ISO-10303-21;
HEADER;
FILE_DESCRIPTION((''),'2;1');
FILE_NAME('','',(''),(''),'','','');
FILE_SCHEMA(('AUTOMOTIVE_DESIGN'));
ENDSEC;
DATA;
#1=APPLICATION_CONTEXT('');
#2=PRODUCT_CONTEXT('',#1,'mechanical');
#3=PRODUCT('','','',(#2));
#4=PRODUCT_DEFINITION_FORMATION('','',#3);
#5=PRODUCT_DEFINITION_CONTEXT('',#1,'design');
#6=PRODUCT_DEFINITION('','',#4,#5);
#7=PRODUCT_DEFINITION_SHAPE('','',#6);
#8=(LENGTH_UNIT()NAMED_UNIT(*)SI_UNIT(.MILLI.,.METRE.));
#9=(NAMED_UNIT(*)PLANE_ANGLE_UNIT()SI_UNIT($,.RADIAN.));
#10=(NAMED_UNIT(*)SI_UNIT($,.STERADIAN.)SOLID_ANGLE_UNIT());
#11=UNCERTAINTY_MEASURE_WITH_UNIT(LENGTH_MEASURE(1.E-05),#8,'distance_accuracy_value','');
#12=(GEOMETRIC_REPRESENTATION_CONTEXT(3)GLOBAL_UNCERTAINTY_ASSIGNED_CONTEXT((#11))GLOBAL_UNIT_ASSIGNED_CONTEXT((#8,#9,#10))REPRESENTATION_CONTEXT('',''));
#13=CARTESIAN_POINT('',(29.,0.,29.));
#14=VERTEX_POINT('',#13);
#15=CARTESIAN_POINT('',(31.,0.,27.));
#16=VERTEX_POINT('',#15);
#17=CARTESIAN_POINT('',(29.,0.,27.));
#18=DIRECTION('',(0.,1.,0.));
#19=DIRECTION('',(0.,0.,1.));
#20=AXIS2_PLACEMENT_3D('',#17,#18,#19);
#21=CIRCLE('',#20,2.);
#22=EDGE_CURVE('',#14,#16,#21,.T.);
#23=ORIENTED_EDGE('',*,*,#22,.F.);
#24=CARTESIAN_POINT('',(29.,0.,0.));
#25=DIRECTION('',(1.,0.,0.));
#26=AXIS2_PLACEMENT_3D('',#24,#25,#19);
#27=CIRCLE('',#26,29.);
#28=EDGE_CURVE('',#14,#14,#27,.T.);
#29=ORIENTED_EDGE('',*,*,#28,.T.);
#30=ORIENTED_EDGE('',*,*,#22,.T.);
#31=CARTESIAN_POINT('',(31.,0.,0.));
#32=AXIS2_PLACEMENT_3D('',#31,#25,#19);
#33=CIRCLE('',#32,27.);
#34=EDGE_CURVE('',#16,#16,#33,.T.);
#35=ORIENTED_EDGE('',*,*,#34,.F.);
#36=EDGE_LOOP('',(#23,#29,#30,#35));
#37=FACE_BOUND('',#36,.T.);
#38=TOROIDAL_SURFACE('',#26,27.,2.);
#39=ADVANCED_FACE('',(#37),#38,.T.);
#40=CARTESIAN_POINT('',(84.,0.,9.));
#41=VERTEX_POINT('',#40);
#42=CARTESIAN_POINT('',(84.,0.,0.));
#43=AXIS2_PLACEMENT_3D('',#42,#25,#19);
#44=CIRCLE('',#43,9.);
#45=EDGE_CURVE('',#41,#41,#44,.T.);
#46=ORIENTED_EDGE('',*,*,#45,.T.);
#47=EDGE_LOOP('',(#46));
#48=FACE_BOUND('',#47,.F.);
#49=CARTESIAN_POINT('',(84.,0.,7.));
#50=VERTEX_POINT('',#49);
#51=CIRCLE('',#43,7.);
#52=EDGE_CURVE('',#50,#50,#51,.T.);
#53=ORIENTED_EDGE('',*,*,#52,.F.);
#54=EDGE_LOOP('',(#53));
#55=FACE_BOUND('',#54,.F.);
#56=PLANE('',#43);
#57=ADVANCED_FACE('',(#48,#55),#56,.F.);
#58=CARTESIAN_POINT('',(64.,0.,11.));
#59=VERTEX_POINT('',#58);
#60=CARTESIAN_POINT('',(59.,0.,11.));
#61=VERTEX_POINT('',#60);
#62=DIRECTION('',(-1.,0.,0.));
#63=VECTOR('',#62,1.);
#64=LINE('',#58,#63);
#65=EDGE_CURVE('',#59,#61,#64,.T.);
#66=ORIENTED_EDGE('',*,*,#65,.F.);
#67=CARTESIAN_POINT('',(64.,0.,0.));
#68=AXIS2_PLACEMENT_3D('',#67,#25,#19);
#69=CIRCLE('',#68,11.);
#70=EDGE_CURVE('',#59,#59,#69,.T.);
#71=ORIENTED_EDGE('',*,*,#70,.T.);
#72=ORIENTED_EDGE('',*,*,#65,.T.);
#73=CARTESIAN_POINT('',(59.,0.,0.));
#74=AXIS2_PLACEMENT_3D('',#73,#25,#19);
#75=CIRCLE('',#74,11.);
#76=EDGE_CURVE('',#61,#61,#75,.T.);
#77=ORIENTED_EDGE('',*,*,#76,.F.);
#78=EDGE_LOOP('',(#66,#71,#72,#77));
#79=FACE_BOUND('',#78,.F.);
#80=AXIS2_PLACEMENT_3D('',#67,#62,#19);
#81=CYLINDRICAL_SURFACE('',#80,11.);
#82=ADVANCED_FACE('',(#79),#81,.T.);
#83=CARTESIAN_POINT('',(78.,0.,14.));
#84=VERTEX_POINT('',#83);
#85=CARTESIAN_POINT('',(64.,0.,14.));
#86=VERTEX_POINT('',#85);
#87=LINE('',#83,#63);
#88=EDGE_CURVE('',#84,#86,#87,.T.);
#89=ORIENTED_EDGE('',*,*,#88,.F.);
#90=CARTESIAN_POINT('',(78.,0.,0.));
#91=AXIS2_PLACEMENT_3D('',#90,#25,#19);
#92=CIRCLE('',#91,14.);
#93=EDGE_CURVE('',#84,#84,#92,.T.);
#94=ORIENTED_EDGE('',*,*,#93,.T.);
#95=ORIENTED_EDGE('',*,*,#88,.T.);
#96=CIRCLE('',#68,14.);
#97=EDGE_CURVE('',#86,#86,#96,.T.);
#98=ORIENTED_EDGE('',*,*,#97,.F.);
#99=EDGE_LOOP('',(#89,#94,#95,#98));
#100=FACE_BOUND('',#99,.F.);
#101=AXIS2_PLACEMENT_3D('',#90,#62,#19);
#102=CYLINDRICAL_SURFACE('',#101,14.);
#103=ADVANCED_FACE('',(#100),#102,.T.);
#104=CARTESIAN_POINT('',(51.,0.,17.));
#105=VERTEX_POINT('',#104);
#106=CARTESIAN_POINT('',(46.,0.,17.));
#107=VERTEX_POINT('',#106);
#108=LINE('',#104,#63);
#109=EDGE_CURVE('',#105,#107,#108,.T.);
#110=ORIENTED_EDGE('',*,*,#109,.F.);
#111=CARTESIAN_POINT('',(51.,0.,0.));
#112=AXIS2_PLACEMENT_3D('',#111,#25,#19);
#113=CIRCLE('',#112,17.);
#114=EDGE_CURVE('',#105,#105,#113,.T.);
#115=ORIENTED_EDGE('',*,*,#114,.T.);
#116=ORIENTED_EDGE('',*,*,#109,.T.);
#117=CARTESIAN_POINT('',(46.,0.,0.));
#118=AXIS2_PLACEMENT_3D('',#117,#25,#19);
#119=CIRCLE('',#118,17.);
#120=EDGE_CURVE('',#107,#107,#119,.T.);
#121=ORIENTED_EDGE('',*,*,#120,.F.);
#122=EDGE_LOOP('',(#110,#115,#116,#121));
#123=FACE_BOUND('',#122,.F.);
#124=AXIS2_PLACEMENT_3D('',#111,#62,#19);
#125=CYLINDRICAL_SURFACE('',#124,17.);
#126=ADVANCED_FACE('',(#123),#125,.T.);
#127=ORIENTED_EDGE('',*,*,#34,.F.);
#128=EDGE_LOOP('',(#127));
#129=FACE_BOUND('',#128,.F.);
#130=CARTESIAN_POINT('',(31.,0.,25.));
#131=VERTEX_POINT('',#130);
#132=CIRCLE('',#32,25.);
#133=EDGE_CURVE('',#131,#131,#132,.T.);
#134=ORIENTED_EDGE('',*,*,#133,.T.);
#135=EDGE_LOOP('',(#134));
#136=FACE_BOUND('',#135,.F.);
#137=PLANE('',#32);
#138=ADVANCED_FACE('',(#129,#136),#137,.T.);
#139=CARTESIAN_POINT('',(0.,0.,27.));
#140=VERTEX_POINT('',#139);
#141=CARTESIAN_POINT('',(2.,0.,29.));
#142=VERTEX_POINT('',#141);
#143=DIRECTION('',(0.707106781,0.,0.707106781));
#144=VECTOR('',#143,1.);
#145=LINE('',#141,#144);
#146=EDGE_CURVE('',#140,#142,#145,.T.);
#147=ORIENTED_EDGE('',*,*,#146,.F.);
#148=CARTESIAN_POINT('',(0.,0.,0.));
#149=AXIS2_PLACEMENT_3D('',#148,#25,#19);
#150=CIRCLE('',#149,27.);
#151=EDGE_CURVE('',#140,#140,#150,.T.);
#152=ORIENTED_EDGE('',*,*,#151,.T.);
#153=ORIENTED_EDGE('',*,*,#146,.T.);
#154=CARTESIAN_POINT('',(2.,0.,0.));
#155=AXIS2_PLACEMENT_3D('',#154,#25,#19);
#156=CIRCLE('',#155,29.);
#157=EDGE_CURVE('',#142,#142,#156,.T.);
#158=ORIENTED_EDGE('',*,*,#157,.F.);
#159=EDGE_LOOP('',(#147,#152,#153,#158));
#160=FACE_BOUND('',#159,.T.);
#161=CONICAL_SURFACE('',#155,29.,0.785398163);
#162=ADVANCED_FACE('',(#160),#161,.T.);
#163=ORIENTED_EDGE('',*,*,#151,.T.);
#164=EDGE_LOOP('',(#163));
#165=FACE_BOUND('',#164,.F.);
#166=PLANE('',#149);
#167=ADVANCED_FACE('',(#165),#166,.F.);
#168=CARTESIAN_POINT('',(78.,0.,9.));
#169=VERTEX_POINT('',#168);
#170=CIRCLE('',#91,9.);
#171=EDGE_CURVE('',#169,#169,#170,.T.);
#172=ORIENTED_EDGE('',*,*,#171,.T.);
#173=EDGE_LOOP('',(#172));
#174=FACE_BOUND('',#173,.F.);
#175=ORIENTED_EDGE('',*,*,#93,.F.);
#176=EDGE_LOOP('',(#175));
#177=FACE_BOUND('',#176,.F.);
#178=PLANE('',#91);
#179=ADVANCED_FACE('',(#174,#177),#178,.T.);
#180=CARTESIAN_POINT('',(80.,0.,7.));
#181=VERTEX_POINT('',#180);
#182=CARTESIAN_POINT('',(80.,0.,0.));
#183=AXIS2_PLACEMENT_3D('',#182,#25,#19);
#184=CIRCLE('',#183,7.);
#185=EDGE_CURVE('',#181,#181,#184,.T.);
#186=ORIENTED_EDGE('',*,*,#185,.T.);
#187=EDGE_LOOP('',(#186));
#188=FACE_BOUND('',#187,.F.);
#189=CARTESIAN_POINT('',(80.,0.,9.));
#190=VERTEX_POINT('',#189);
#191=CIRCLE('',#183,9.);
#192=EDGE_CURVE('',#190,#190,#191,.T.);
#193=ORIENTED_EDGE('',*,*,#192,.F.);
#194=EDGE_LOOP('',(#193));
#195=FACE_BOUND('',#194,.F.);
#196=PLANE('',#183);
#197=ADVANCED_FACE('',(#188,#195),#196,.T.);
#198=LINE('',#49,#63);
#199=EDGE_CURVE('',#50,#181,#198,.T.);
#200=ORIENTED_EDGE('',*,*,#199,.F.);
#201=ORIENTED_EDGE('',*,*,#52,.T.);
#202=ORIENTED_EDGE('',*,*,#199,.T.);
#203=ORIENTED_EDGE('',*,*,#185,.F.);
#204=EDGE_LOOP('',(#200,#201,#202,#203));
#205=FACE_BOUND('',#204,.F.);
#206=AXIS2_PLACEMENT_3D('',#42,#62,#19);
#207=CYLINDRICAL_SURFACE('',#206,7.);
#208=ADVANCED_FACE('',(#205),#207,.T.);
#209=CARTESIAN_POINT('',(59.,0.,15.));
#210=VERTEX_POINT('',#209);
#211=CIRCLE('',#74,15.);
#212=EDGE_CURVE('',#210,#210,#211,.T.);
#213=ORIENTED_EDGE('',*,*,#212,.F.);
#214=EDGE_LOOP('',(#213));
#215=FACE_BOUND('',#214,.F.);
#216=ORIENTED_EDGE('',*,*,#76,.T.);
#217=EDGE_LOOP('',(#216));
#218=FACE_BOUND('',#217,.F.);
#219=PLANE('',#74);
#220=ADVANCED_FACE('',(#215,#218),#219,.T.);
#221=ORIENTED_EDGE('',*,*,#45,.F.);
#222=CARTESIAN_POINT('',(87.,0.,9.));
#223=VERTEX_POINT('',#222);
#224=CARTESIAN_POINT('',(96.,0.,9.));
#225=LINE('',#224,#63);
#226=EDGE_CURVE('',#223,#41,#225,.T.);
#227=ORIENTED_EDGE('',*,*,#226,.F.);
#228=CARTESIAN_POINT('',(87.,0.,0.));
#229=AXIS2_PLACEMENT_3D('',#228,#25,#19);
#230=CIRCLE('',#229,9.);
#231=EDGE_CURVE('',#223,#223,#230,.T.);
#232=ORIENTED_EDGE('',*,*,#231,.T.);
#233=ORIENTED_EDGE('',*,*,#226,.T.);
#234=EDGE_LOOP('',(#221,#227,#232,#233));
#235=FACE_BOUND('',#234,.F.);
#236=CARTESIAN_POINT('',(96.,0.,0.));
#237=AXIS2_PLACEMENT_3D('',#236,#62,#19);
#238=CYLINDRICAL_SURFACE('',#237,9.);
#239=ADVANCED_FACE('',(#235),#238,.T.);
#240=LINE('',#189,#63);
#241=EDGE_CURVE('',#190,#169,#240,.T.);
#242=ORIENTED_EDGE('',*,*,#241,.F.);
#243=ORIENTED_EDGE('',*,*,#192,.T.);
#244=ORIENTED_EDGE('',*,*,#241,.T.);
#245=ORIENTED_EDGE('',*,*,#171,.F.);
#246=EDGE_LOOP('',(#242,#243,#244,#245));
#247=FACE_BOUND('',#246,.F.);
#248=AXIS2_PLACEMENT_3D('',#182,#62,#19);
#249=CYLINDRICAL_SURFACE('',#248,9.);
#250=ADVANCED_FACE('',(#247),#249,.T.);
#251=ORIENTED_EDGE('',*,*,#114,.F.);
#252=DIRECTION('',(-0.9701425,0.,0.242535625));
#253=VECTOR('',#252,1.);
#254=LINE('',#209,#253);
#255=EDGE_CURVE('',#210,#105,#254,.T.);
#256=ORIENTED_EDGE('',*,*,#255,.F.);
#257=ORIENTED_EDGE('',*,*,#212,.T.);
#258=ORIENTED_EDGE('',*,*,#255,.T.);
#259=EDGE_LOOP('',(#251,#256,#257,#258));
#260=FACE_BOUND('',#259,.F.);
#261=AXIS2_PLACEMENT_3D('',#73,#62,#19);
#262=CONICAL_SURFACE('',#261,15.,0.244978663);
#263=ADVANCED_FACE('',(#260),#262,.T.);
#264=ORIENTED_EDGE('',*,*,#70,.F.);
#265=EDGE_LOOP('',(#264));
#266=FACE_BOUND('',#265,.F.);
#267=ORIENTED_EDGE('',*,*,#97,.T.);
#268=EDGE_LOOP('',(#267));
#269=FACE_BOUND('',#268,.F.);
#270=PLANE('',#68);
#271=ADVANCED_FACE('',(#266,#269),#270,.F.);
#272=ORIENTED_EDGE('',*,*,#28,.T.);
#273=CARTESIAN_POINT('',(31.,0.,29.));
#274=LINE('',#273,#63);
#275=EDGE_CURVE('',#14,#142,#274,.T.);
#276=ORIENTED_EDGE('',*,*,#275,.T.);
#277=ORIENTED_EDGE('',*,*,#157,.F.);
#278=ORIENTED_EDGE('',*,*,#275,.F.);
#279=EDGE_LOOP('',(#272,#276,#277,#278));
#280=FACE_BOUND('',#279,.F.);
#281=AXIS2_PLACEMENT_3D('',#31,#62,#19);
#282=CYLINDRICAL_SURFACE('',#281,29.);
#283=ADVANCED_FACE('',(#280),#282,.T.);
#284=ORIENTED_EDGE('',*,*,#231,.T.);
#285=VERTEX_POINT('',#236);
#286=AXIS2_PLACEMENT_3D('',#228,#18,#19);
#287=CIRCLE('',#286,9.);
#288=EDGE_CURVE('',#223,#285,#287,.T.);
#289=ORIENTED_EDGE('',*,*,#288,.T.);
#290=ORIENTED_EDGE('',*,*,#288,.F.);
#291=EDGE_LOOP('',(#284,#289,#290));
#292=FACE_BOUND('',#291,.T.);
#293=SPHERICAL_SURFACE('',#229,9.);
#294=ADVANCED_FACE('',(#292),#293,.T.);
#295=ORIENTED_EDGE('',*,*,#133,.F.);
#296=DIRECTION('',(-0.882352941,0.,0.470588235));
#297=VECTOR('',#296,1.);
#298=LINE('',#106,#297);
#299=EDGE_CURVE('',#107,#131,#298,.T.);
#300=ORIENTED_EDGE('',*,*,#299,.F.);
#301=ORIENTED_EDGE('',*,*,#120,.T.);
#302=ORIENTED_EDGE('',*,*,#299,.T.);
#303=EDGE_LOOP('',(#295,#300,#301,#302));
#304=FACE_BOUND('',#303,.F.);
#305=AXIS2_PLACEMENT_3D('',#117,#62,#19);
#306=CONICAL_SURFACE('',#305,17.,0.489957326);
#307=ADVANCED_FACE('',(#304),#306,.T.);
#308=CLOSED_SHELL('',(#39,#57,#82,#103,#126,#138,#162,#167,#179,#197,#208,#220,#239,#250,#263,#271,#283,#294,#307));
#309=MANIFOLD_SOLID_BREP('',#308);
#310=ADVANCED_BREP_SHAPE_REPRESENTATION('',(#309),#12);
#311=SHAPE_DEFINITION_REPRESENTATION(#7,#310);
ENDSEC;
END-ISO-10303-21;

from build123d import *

# Parameters (mm, degrees)
F2_SIZE = 2
F3_R    = 2
F4_R    = 9


with BuildPart() as f1:
    # F0 (on Front) → F1 (revolve)
    with BuildSketch(Plane.XZ):
        Polygon((0, 29), (0, 0), (96, 0), (96, 9), (84, 9), (84, 7), (80, 7), (80, 9), (78, 9), (78, 14), (64, 14), (64, 11), (59, 11), (59, 15), (51, 17), (46, 17), (31, 25), (31, 29), align=None)
    revolve(axis=Axis((48, 0, 0), (1, 0, 0)))

    # F2
    f2_edges = [f1.edges().sort_by_distance(p)[0] for p in [
        (0, 0, -29),
    ]]
    chamfer(f2_edges, length=F2_SIZE)

    # F3
    f3_edges = [f1.edges().sort_by_distance(p)[0] for p in [
        (31, 0, -29),
    ]]
    fillet(f3_edges, radius=F3_R)

    # F4
    f4_edges = [f1.edges().sort_by_distance(p)[0] for p in [
        (96, 0, -9),
    ]]
    fillet(f4_edges, radius=F4_R)


solid = f1.part
